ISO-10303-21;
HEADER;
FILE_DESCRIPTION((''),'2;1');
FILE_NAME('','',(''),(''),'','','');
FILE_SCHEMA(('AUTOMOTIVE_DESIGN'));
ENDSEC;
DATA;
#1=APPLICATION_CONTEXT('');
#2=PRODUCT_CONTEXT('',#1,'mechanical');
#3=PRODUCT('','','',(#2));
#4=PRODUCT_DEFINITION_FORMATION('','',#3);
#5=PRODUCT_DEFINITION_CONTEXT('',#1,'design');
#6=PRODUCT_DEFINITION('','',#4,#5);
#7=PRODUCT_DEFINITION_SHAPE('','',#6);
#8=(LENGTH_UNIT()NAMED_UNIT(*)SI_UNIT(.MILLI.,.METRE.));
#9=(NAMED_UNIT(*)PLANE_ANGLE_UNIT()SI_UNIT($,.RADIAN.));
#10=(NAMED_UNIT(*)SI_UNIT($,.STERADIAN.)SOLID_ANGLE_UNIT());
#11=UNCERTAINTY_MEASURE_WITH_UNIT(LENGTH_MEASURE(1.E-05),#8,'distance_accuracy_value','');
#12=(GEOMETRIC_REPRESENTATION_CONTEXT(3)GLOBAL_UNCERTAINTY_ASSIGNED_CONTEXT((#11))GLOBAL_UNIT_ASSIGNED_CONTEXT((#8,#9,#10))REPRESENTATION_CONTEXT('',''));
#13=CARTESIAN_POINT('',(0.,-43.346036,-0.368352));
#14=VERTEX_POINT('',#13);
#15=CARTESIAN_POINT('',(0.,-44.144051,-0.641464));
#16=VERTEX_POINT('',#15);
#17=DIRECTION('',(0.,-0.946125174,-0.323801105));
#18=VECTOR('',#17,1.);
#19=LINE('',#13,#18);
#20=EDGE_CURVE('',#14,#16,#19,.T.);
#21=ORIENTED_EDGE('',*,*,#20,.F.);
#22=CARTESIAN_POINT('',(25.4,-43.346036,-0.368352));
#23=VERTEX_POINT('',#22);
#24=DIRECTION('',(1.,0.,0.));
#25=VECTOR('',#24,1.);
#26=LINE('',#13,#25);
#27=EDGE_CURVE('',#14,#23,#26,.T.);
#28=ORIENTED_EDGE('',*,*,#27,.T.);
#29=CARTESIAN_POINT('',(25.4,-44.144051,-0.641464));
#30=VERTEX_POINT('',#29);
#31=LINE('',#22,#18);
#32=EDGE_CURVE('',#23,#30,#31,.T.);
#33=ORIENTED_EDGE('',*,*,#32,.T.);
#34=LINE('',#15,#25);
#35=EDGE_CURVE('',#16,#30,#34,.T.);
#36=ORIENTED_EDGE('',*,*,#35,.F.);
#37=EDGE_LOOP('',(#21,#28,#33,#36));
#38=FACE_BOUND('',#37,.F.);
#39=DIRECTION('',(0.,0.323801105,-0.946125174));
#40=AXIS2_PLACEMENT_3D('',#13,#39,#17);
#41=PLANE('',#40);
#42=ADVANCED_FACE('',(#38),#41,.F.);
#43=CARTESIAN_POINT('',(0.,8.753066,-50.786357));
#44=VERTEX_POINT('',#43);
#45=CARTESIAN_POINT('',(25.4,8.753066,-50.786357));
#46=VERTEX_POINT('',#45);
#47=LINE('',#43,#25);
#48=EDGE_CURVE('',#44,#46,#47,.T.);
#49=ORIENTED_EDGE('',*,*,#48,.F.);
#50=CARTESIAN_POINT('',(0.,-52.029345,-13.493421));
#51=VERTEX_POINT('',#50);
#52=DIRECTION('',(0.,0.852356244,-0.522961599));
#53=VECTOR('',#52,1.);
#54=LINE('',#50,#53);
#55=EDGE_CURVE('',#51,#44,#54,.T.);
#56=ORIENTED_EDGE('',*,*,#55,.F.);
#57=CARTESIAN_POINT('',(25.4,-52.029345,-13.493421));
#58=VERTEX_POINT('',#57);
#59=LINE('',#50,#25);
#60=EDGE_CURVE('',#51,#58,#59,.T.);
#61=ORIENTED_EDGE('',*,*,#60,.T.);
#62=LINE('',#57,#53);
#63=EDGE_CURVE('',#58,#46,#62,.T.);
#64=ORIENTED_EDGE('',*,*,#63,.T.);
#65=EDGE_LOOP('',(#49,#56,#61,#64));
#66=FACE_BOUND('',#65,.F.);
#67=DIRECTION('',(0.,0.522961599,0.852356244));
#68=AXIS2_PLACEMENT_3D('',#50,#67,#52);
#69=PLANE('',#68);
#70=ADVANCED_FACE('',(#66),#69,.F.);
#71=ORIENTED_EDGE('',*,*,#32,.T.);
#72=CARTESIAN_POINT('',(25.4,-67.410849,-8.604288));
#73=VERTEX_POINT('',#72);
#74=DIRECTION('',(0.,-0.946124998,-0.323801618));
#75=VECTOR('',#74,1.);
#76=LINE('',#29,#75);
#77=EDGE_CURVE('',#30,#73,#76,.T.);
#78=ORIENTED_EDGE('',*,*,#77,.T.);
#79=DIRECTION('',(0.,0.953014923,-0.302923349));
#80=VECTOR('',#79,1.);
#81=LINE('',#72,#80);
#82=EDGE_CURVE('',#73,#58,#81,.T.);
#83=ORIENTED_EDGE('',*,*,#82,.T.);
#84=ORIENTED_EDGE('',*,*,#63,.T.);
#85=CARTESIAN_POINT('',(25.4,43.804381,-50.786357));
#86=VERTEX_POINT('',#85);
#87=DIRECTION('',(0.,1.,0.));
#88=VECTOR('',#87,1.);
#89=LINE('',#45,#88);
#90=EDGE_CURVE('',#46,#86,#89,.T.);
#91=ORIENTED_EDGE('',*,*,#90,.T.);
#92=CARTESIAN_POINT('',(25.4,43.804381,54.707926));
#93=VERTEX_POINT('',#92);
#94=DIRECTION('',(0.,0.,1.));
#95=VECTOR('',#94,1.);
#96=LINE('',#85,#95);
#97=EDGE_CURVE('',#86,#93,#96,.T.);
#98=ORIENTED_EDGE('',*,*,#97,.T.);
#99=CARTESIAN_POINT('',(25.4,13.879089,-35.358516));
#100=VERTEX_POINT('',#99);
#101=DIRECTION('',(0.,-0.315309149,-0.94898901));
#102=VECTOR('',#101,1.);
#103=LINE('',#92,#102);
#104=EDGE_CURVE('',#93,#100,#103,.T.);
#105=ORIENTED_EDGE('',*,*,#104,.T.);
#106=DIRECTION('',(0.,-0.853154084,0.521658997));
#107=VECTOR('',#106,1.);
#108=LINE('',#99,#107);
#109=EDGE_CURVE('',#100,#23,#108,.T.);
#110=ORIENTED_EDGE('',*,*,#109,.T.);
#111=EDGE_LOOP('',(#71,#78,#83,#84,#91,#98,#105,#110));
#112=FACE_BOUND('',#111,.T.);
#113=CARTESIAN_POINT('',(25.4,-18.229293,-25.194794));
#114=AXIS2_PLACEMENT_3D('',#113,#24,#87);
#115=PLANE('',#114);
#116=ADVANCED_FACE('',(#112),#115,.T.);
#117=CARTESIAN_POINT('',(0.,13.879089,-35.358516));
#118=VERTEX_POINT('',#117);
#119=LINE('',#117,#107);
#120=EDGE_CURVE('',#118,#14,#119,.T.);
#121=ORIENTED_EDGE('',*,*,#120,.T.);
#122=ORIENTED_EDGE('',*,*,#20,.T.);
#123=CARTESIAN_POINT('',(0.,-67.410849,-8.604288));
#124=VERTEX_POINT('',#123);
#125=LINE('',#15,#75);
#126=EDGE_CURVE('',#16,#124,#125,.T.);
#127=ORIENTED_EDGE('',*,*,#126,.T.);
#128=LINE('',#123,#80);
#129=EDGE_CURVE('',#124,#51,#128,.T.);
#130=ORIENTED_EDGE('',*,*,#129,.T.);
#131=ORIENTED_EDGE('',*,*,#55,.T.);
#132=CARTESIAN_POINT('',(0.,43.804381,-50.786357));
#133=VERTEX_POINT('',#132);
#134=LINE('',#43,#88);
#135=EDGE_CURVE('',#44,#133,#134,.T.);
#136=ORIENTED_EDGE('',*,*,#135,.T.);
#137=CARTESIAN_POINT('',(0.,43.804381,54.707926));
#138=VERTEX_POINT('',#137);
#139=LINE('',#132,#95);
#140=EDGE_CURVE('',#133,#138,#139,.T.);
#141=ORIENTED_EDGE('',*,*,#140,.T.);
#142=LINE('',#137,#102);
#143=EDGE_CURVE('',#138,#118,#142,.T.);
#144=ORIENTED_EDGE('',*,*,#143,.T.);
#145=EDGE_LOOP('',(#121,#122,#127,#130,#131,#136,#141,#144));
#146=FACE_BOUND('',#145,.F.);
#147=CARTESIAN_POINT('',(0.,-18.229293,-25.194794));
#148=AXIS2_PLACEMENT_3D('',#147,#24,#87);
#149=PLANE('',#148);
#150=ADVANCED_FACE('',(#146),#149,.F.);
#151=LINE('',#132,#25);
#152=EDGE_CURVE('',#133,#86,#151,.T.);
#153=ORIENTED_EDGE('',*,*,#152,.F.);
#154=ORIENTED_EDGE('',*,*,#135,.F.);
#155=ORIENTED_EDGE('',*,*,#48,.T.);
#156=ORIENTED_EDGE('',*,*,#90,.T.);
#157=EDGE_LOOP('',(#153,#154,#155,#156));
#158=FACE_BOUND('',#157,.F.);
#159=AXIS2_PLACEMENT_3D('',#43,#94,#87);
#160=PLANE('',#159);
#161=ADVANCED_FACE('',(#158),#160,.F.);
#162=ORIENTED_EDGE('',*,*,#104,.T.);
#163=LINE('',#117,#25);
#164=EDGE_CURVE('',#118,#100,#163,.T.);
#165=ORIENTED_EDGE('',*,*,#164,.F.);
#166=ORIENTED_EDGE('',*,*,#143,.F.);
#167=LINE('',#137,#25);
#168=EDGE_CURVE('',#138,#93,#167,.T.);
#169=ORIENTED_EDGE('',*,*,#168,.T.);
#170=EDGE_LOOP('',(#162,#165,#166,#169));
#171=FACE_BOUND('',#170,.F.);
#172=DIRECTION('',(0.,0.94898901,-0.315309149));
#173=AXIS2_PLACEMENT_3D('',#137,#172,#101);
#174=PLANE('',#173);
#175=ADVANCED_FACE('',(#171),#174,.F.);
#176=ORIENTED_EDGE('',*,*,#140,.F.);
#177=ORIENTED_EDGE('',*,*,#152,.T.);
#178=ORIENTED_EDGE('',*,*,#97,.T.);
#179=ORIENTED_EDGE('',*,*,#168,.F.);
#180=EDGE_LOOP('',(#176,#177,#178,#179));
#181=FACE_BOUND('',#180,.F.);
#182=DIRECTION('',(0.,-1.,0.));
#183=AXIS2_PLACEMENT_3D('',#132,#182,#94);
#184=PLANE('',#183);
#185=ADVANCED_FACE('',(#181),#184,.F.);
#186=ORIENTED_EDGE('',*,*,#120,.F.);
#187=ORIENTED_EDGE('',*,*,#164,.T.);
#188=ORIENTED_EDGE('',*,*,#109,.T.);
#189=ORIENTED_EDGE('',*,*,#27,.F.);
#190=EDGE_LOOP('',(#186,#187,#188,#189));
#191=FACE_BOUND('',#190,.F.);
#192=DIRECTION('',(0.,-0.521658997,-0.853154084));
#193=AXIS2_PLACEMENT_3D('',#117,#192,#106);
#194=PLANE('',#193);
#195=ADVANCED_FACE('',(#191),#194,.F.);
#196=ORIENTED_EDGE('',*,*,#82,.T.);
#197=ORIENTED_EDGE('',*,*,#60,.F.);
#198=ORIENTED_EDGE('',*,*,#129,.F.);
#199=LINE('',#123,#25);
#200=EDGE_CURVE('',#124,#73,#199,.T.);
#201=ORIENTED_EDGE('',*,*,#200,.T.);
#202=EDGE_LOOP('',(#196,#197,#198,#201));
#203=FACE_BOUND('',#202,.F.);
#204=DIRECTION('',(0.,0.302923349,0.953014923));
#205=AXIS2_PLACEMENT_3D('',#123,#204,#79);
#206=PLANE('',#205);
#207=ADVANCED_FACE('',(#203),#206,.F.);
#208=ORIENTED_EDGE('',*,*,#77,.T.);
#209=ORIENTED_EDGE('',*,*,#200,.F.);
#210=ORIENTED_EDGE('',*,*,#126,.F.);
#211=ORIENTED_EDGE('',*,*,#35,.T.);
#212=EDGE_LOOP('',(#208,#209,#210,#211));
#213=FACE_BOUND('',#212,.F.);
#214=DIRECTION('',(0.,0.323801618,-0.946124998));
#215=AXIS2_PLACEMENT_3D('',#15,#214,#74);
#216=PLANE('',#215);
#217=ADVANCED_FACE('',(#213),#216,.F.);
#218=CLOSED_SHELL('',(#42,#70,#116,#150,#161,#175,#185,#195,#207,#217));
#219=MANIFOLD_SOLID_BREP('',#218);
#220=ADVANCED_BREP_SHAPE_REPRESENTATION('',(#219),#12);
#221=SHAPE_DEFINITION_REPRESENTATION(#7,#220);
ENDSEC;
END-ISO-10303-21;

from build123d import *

# Parameters (mm, degrees)
F1_DEPTH = 25.4


with BuildPart() as f1:
    # F0 (on Right) → F1 (new body)
    with BuildSketch(Plane.YZ):
        Polygon((8.753066, -50.786357), (13.879089, -35.358516), (-43.346036, -0.368352), (-44.144051, -0.641464), (-52.029345, -13.493421), align=None)
        Polygon((-67.410849, -8.604288), (-52.029345, -13.493421), (-44.144051, -0.641464), align=None)
        Polygon((43.804381, -50.786357), (43.804381, 54.707926), (13.879089, -35.358516), (8.753066, -50.786357), align=None)
    extrude(amount=F1_DEPTH)


solid = f1.part
